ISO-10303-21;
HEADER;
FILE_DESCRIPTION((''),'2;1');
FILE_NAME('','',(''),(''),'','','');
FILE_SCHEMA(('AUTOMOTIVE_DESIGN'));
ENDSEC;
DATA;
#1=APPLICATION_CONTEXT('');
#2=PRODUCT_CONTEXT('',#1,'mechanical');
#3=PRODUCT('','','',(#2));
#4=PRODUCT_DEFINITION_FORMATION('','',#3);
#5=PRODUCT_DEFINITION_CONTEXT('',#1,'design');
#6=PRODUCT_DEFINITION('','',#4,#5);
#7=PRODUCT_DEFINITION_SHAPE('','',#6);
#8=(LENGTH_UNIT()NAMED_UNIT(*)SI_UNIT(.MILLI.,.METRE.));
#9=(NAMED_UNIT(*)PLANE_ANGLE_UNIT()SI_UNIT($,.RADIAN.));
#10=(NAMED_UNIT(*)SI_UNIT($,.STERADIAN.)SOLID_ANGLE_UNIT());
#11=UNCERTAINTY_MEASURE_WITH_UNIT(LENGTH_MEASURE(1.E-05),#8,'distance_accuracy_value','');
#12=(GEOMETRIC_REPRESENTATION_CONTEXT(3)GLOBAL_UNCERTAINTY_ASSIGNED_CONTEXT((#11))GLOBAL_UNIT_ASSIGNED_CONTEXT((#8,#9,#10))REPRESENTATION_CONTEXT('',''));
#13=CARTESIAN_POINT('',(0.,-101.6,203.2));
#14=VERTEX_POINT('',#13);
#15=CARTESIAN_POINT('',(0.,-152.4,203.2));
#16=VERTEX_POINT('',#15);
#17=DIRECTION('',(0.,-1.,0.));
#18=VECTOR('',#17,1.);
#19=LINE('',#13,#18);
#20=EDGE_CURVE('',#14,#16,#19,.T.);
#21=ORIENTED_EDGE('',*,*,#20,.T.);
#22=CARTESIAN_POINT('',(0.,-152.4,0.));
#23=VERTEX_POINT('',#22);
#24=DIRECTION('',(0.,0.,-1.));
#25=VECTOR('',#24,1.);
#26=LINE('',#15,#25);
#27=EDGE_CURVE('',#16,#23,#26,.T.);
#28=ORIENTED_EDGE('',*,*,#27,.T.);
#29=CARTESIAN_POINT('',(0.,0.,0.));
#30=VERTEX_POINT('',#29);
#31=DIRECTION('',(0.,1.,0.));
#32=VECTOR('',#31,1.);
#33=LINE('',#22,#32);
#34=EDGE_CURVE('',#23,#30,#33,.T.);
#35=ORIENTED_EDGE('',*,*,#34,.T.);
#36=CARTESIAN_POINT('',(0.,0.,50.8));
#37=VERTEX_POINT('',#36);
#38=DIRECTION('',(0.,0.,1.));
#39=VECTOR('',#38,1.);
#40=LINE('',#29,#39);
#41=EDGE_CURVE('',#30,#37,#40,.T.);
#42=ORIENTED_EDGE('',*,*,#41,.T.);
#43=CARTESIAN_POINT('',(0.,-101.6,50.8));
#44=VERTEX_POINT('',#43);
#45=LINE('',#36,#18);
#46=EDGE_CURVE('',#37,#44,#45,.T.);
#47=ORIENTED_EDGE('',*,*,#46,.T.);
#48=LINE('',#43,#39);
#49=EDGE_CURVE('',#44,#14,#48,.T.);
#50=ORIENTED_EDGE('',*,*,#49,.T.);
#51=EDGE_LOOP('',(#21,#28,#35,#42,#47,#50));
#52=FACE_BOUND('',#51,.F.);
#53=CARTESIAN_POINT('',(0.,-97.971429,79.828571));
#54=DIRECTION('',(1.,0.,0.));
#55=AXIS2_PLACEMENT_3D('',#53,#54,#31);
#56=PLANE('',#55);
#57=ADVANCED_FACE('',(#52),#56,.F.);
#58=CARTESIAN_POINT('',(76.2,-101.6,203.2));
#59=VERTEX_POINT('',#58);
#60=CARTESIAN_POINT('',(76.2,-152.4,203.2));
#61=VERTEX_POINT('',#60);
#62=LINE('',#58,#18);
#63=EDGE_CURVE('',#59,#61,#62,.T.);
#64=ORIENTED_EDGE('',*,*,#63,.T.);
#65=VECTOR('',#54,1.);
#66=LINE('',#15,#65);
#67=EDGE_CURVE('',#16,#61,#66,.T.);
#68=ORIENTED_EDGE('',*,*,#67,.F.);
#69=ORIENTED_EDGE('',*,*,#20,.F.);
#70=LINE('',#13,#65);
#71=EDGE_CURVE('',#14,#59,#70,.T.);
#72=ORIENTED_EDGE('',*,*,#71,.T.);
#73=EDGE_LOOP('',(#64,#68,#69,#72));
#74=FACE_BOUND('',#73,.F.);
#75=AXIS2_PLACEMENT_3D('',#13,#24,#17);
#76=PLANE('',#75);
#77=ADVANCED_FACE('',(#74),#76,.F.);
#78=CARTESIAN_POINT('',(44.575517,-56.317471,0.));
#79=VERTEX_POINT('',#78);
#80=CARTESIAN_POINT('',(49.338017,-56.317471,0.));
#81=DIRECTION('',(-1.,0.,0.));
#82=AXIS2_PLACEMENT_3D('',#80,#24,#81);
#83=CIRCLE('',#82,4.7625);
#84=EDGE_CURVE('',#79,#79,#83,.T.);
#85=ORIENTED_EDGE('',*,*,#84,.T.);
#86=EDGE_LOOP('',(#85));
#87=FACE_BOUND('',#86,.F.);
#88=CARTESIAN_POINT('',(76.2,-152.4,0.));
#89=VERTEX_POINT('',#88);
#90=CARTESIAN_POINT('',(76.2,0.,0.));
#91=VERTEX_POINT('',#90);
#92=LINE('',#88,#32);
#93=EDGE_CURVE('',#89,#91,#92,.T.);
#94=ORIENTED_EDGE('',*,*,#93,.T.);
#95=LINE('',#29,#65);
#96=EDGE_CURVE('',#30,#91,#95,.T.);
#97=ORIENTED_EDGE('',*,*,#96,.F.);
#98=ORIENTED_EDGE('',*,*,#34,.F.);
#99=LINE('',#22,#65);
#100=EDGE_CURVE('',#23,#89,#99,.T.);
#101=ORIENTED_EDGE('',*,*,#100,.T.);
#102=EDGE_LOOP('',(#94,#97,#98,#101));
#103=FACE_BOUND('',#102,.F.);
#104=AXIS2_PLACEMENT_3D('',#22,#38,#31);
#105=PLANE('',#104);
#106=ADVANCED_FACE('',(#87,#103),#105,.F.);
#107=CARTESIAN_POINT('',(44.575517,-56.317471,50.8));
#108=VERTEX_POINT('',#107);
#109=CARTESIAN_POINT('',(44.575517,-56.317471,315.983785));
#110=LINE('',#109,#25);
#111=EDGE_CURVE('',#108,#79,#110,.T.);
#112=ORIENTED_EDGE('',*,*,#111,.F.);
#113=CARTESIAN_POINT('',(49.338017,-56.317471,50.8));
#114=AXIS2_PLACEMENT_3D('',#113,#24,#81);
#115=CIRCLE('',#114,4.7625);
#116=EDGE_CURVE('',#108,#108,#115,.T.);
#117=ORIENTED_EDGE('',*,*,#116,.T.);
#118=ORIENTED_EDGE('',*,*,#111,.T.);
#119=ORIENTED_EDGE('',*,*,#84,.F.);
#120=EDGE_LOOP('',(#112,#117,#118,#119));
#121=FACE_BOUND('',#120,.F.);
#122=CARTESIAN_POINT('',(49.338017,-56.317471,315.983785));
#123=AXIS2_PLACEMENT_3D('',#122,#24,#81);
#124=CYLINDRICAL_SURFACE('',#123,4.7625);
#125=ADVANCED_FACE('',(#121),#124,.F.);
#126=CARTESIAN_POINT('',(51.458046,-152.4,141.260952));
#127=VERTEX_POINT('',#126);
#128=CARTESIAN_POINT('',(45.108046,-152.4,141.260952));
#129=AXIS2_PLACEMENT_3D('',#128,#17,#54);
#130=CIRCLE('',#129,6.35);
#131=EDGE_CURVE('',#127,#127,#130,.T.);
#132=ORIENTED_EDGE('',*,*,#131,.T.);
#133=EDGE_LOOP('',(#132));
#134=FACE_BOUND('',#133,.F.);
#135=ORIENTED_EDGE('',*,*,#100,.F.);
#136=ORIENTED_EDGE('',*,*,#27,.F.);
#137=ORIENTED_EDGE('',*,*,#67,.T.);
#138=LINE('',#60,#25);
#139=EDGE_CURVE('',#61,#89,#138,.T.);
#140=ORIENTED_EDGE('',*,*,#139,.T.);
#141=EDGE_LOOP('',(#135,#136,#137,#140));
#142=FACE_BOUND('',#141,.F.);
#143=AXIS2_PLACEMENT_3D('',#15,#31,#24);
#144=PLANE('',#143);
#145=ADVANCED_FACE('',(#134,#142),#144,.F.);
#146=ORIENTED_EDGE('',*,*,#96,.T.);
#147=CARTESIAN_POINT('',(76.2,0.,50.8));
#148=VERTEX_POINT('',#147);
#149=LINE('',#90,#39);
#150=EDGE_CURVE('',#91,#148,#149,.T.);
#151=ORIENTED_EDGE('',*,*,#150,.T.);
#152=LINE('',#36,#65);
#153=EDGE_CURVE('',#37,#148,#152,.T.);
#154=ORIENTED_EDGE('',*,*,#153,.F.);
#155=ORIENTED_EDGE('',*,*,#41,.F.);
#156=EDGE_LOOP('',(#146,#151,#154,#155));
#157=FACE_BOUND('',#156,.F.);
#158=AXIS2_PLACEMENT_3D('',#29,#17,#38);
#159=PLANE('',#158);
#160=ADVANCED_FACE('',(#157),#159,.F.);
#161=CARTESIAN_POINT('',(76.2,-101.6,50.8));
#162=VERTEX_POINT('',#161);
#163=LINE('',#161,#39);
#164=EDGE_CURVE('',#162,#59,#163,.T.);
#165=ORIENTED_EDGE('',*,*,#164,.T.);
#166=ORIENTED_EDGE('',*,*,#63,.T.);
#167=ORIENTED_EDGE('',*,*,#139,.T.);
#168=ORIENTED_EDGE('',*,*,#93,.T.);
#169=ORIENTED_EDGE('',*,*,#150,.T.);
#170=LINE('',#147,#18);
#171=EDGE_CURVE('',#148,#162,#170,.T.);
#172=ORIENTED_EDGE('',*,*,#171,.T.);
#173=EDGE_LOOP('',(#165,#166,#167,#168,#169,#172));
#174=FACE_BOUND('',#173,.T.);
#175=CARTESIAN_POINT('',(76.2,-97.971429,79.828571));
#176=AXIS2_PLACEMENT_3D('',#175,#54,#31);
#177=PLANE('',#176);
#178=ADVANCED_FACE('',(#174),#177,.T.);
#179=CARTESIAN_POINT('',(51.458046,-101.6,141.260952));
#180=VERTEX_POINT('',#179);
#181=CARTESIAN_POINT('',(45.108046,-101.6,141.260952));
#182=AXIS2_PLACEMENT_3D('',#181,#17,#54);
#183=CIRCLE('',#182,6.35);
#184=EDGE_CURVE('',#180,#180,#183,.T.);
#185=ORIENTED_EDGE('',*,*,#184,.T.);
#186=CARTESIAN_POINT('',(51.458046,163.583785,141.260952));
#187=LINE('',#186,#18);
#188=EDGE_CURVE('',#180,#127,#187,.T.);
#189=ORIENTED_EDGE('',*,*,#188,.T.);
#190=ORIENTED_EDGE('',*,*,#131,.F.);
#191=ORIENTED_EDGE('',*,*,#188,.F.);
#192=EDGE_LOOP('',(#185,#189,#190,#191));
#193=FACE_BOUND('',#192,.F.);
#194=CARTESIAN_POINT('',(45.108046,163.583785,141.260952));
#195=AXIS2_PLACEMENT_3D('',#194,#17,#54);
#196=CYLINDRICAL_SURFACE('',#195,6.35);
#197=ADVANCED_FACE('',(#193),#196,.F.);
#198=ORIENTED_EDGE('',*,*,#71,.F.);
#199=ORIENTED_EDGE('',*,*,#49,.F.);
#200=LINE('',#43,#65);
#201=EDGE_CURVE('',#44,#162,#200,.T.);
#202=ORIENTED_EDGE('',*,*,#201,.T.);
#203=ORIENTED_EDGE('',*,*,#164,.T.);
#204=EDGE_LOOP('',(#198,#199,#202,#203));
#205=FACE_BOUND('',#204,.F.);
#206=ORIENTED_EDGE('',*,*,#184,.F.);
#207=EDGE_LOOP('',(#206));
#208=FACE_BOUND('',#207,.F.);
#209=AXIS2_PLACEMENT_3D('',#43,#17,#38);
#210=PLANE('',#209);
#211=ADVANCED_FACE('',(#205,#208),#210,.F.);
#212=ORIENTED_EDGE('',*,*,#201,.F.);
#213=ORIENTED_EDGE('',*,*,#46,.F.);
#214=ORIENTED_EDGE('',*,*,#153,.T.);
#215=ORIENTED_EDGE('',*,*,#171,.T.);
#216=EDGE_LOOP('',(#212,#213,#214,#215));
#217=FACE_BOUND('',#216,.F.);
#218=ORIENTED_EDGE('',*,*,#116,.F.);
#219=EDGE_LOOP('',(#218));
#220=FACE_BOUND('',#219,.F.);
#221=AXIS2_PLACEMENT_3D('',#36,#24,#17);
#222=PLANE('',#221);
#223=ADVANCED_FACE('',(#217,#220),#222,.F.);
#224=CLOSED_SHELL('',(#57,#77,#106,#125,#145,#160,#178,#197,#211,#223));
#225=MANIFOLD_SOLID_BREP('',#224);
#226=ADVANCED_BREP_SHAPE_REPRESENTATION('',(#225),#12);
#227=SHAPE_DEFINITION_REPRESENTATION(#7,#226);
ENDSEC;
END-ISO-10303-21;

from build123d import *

# Parameters (mm, degrees)
F1_DEPTH = 76.2
F3_D     = 9.525
F5_D     = 12.7


with BuildPart() as f1:
    # F0 (on Right) → F1 (new body)
    with BuildSketch(Plane.YZ):
        Polygon((-152.4, 203.2), (-152.4, 0), (0, 0), (0, 50.8), (-101.6, 50.8), (-101.6, 203.2), align=None)
    extrude(amount=F1_DEPTH)

    # F3 (through all)
    with Locations(Plane.XY.offset(50.8)):
        with Locations((49.338017, -56.317471)):
            Hole(F3_D / 2)

    # F5 (through all)
    with Locations(Plane(origin=(0, -101.6, 0), x_dir=(-1, 0, 0), z_dir=(0, 1, 0))):
        with Locations((-45.108046, 141.260952)):
            Hole(F5_D / 2)


solid = f1.part
